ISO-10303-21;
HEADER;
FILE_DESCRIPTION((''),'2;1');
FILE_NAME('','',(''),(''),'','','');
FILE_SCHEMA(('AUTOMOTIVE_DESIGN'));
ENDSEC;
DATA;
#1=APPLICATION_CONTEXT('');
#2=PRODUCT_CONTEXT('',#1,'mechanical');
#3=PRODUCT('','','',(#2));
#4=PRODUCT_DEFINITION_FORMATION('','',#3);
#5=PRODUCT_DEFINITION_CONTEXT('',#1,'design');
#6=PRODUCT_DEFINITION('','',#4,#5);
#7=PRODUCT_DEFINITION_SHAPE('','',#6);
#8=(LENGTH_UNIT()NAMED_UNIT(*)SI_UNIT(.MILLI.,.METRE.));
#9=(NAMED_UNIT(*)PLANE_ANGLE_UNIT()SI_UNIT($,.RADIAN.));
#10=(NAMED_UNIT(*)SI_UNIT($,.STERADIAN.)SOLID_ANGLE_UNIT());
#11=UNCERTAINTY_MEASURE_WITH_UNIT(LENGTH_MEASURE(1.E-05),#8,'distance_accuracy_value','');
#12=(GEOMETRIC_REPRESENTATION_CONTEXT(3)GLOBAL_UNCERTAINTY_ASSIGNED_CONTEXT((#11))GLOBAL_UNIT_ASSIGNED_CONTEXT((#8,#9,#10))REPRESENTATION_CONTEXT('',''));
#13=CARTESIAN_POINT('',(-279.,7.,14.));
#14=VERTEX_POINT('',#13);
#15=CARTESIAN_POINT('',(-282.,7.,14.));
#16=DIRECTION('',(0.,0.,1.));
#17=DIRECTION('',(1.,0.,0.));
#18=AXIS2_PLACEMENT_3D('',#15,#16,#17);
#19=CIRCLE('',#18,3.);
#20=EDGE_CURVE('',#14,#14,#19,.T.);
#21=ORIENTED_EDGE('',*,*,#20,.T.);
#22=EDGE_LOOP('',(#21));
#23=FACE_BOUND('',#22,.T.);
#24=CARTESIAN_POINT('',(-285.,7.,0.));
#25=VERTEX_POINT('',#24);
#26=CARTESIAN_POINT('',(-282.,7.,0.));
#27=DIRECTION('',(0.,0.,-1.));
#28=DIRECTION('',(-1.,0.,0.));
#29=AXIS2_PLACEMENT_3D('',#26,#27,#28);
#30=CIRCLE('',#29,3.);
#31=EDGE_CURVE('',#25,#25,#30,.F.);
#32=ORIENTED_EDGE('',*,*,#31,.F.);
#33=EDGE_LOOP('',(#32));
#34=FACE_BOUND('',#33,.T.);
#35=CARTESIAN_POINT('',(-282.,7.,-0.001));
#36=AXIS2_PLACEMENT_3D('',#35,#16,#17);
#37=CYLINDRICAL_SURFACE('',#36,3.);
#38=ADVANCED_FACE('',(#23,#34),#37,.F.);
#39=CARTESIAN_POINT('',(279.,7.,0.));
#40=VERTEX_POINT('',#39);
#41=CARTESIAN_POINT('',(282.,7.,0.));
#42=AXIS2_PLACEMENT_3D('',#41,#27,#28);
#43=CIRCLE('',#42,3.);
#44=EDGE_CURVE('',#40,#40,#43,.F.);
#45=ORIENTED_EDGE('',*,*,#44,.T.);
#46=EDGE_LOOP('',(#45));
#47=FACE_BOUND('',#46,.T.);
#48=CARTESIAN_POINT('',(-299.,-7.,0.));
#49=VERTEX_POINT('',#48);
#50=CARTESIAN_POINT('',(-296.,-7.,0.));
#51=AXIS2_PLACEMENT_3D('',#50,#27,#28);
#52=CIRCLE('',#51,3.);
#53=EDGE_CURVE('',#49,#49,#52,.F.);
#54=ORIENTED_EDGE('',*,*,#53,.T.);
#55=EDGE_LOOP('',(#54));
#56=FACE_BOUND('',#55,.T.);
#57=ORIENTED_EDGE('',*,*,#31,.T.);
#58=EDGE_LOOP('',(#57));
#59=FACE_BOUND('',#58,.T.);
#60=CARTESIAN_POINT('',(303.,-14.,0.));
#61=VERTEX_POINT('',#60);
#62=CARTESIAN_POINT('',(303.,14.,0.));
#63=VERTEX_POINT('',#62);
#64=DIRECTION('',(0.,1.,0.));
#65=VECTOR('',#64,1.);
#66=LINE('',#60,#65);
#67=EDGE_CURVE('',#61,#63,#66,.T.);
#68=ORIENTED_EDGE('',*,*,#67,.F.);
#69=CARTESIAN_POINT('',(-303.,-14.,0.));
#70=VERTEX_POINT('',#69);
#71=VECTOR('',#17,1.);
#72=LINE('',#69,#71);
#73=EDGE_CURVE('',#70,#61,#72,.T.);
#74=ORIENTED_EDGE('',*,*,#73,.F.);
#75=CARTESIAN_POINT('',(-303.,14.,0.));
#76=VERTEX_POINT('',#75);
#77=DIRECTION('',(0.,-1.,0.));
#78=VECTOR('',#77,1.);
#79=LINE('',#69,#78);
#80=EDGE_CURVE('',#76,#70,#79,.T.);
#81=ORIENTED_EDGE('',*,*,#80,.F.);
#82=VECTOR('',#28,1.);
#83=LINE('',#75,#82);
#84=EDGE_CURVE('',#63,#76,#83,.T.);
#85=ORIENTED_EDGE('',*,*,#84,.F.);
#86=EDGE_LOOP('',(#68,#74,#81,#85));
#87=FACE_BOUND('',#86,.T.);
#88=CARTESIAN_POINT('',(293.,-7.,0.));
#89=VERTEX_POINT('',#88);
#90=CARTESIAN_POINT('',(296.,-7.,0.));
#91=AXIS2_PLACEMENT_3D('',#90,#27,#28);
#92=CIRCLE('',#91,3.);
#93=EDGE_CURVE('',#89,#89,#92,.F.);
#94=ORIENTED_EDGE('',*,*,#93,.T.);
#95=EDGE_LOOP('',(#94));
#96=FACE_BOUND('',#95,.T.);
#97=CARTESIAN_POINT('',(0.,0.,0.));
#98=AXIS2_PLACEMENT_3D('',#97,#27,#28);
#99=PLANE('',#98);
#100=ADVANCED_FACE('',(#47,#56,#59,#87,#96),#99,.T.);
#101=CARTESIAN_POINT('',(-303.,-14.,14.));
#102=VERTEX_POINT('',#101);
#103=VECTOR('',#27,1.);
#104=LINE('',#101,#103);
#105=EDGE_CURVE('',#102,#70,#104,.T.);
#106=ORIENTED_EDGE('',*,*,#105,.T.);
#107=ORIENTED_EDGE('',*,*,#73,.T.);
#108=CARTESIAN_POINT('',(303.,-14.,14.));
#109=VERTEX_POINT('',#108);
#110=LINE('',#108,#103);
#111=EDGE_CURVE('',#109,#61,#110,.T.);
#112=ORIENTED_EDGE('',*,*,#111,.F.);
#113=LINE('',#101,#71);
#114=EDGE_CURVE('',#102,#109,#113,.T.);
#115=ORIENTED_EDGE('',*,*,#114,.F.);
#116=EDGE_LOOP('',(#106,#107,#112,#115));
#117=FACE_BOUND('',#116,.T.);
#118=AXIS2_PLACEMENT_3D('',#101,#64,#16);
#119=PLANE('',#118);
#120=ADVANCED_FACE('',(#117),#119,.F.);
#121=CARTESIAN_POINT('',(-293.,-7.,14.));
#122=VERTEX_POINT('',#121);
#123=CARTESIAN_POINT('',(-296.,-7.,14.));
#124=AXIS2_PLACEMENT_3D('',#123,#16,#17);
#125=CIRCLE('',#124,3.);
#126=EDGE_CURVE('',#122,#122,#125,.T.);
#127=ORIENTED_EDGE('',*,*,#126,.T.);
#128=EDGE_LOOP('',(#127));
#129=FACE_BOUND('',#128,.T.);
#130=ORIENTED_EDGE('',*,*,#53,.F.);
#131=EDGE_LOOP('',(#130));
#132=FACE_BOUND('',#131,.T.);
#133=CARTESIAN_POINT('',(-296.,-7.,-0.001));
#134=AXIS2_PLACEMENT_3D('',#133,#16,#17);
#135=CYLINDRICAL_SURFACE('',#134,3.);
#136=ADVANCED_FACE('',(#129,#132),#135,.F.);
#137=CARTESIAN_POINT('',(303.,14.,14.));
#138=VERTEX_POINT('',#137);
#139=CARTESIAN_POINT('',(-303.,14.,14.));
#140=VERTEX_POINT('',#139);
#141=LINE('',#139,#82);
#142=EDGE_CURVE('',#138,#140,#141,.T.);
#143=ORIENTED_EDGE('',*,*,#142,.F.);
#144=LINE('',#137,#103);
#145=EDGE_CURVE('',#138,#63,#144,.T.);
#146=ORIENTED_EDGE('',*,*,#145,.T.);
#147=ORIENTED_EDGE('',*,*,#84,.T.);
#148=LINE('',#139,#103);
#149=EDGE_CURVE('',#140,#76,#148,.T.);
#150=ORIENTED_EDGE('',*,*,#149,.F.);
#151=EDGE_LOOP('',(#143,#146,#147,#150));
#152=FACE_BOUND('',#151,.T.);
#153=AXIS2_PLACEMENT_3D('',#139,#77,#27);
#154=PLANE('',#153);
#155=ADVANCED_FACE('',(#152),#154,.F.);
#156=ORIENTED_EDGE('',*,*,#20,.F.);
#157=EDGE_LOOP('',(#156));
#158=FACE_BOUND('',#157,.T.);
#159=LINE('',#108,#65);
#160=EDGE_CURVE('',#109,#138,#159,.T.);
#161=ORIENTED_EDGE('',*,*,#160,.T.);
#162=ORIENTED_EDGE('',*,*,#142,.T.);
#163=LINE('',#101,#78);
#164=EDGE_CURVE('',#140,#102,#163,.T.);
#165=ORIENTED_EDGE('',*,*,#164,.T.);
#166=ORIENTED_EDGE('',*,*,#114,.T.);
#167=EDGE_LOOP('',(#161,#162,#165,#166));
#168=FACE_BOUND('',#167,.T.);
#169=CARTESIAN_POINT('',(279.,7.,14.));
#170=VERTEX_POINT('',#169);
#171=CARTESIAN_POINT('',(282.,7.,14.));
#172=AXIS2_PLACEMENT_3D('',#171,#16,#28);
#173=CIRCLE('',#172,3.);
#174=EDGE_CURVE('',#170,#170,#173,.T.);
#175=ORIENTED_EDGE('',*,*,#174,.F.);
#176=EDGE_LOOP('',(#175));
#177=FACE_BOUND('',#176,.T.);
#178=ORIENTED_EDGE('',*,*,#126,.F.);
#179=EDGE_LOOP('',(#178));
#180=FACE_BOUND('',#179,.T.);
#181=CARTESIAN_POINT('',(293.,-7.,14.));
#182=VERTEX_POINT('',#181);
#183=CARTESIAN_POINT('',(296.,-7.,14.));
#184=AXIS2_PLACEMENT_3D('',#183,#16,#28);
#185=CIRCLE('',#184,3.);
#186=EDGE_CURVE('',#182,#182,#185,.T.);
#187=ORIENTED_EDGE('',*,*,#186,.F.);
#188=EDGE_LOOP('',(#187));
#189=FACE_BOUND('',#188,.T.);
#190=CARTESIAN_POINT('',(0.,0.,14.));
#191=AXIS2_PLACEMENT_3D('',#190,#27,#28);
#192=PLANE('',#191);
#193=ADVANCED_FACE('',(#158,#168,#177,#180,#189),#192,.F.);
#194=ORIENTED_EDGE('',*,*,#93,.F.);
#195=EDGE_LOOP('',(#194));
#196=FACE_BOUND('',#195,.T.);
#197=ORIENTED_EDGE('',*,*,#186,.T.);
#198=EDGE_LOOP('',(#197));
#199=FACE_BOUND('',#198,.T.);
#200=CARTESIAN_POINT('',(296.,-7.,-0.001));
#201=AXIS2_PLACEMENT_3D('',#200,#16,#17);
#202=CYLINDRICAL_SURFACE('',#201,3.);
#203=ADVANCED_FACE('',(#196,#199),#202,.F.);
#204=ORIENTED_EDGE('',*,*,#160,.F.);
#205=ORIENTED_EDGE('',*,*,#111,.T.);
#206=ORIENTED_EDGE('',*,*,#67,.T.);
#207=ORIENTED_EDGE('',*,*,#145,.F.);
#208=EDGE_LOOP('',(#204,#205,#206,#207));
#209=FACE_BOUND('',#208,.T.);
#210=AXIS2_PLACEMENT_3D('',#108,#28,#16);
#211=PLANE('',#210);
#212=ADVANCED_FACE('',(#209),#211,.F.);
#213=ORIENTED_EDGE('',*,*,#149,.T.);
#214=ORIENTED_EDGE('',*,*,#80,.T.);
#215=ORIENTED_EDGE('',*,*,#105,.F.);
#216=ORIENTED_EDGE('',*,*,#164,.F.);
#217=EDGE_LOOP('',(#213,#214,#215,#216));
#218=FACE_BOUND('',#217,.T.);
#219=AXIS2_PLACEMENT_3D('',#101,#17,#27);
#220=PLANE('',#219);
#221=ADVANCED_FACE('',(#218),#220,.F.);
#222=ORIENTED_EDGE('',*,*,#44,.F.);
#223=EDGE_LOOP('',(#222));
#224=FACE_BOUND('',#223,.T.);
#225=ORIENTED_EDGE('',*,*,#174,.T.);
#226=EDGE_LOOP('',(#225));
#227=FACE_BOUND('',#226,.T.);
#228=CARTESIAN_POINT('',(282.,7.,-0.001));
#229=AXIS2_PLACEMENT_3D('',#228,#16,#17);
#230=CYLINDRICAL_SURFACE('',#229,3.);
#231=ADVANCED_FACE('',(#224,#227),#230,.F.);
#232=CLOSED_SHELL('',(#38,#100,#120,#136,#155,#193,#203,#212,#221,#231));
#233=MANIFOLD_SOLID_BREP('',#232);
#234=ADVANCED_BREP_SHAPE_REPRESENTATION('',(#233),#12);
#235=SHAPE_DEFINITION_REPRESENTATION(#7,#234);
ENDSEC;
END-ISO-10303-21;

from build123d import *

# Parameters (mm, degrees)
IZIM1_W                     = 606
IZIM1_H                     = 28
Y_KSEKLIK_EKSTR_ZYON1_DEPTH = 14
KES_EKSTR_ZYON1_REACH       = 16
IZIM2_R                     = 3


with BuildPart() as part:
    # Çizim1 → Yükseklik-Ekstrüzyon1 (new body)
    with BuildSketch(Plane.XY):
        Rectangle(IZIM1_W, IZIM1_H)
    extrude(amount=Y_KSEKLIK_EKSTR_ZYON1_DEPTH)

    # Çizim2 → Kes-Ekstrüzyon1 (cut, up to next)
    with BuildSketch(Plane.XY.offset(14), mode=Mode.PRIVATE) as kes_ekstr_zyon1_sk1:
        with Locations((-282, 7)):
            Circle(IZIM2_R)
    kes_ekstr_zyon1_tool1 = extrude(kes_ekstr_zyon1_sk1.sketch, amount=-KES_EKSTR_ZYON1_REACH, mode=Mode.PRIVATE) & part.part
    add(kes_ekstr_zyon1_tool1.solids().sort_by_distance((-282, 7, 14))[0], mode=Mode.SUBTRACT)
    # Çizim2 → Kes-Ekstrüzyon1 (cut, up to next)
    with BuildSketch(Plane.XY.offset(14), mode=Mode.PRIVATE) as kes_ekstr_zyon1_sk2:
        with Locations((-296, -7)):
            Circle(IZIM2_R)
    kes_ekstr_zyon1_tool2 = extrude(kes_ekstr_zyon1_sk2.sketch, amount=-KES_EKSTR_ZYON1_REACH, mode=Mode.PRIVATE) & part.part
    add(kes_ekstr_zyon1_tool2.solids().sort_by_distance((-296, -7, 14))[0], mode=Mode.SUBTRACT)
    # Çizim2 → Kes-Ekstrüzyon1 (cut, up to next)
    with BuildSketch(Plane.XY.offset(14), mode=Mode.PRIVATE) as kes_ekstr_zyon1_sk3:
        with Locations((296, -7)):
            Circle(IZIM2_R)
    kes_ekstr_zyon1_tool3 = extrude(kes_ekstr_zyon1_sk3.sketch, amount=-KES_EKSTR_ZYON1_REACH, mode=Mode.PRIVATE) & part.part
    add(kes_ekstr_zyon1_tool3.solids().sort_by_distance((296, -7, 14))[0], mode=Mode.SUBTRACT)
    # Çizim2 → Kes-Ekstrüzyon1 (cut, up to next)
    with BuildSketch(Plane.XY.offset(14), mode=Mode.PRIVATE) as kes_ekstr_zyon1_sk4:
        with Locations((282, 7)):
            Circle(IZIM2_R)
    kes_ekstr_zyon1_tool4 = extrude(kes_ekstr_zyon1_sk4.sketch, amount=-KES_EKSTR_ZYON1_REACH, mode=Mode.PRIVATE) & part.part
    add(kes_ekstr_zyon1_tool4.solids().sort_by_distance((282, 7, 14))[0], mode=Mode.SUBTRACT)


solid = part.part
